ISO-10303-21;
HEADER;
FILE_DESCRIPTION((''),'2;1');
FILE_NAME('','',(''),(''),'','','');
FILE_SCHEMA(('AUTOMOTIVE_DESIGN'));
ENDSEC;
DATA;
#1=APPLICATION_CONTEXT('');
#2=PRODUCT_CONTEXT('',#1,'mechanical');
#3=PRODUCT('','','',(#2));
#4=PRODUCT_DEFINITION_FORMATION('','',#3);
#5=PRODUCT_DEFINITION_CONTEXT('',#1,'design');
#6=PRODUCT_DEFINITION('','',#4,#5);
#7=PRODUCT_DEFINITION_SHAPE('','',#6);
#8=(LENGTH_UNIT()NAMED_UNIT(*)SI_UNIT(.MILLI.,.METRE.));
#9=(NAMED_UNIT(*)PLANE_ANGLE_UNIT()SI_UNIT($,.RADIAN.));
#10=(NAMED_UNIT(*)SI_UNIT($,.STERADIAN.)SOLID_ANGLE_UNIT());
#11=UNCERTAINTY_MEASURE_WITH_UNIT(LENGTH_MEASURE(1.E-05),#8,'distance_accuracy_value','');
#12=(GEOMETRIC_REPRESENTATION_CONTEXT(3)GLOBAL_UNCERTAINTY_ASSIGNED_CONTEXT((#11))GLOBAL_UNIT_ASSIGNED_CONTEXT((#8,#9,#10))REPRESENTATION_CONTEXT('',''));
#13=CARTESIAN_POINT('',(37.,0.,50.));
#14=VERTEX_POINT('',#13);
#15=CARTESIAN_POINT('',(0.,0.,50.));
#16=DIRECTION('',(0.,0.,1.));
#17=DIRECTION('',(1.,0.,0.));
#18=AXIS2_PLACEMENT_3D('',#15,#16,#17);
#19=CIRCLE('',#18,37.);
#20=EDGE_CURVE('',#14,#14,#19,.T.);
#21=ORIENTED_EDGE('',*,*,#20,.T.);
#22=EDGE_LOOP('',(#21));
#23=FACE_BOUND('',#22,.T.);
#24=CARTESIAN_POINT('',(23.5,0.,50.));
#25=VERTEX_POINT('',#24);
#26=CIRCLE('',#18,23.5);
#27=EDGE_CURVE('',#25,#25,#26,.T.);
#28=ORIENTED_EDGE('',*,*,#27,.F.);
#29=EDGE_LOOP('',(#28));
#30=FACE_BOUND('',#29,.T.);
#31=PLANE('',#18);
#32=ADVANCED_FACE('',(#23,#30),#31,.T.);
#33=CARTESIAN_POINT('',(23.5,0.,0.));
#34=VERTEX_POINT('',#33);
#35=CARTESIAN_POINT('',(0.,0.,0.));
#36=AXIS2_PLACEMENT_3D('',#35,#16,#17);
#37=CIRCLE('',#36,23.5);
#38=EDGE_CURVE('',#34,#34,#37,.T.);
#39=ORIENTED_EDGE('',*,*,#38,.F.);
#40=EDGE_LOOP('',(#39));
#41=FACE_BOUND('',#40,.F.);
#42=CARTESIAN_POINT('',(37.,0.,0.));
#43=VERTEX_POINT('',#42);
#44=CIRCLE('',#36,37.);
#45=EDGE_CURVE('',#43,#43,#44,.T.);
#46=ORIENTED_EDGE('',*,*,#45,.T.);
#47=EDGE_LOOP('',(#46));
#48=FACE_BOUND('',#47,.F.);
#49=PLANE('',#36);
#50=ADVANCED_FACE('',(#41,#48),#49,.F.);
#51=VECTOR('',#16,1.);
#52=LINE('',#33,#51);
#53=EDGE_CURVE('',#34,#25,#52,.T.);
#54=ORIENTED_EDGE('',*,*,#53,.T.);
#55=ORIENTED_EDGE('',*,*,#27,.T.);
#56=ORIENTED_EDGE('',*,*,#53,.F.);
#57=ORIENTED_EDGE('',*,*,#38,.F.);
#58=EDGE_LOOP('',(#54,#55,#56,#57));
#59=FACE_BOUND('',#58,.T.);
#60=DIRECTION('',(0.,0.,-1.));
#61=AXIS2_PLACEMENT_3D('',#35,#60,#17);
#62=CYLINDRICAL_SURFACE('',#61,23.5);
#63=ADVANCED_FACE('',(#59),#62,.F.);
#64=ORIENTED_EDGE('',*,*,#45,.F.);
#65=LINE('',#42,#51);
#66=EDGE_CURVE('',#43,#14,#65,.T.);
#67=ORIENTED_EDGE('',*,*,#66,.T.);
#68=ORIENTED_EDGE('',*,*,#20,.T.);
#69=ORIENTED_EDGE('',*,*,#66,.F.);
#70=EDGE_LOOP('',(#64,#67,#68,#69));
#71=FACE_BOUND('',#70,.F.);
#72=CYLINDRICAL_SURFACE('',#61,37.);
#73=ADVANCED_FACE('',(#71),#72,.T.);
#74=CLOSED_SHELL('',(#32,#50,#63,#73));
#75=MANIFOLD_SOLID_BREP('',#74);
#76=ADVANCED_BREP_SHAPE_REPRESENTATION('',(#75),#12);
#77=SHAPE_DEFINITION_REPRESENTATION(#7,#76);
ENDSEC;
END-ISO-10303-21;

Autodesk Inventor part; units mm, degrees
ref_plane "YZ Plane" through (0, 0, 0) normal (1, 0, 0) x (0, 1, 0)
ref_plane "XZ Plane" through (0, 0, 0) normal (0, 1, 0) x (-1, 0, 0)
ref_plane "XY Plane" through (0, 0, 0) normal (0, 0, 1) x (1, 0, 0)
sketch "Skizze1" plane through (0, 0, 0) normal (0, 0, 1) x (1, 0, 0)
  circle A0 centre (0, 0) radius 37
  circle A1 centre (0, 0) radius 23.5
  dimension "d0" = 74
  dimension "d1" = 47
extrude "Extrusion1" add sketch "Skizze1" along normal blind 50
properties part number "Rohrhalterung_1"
